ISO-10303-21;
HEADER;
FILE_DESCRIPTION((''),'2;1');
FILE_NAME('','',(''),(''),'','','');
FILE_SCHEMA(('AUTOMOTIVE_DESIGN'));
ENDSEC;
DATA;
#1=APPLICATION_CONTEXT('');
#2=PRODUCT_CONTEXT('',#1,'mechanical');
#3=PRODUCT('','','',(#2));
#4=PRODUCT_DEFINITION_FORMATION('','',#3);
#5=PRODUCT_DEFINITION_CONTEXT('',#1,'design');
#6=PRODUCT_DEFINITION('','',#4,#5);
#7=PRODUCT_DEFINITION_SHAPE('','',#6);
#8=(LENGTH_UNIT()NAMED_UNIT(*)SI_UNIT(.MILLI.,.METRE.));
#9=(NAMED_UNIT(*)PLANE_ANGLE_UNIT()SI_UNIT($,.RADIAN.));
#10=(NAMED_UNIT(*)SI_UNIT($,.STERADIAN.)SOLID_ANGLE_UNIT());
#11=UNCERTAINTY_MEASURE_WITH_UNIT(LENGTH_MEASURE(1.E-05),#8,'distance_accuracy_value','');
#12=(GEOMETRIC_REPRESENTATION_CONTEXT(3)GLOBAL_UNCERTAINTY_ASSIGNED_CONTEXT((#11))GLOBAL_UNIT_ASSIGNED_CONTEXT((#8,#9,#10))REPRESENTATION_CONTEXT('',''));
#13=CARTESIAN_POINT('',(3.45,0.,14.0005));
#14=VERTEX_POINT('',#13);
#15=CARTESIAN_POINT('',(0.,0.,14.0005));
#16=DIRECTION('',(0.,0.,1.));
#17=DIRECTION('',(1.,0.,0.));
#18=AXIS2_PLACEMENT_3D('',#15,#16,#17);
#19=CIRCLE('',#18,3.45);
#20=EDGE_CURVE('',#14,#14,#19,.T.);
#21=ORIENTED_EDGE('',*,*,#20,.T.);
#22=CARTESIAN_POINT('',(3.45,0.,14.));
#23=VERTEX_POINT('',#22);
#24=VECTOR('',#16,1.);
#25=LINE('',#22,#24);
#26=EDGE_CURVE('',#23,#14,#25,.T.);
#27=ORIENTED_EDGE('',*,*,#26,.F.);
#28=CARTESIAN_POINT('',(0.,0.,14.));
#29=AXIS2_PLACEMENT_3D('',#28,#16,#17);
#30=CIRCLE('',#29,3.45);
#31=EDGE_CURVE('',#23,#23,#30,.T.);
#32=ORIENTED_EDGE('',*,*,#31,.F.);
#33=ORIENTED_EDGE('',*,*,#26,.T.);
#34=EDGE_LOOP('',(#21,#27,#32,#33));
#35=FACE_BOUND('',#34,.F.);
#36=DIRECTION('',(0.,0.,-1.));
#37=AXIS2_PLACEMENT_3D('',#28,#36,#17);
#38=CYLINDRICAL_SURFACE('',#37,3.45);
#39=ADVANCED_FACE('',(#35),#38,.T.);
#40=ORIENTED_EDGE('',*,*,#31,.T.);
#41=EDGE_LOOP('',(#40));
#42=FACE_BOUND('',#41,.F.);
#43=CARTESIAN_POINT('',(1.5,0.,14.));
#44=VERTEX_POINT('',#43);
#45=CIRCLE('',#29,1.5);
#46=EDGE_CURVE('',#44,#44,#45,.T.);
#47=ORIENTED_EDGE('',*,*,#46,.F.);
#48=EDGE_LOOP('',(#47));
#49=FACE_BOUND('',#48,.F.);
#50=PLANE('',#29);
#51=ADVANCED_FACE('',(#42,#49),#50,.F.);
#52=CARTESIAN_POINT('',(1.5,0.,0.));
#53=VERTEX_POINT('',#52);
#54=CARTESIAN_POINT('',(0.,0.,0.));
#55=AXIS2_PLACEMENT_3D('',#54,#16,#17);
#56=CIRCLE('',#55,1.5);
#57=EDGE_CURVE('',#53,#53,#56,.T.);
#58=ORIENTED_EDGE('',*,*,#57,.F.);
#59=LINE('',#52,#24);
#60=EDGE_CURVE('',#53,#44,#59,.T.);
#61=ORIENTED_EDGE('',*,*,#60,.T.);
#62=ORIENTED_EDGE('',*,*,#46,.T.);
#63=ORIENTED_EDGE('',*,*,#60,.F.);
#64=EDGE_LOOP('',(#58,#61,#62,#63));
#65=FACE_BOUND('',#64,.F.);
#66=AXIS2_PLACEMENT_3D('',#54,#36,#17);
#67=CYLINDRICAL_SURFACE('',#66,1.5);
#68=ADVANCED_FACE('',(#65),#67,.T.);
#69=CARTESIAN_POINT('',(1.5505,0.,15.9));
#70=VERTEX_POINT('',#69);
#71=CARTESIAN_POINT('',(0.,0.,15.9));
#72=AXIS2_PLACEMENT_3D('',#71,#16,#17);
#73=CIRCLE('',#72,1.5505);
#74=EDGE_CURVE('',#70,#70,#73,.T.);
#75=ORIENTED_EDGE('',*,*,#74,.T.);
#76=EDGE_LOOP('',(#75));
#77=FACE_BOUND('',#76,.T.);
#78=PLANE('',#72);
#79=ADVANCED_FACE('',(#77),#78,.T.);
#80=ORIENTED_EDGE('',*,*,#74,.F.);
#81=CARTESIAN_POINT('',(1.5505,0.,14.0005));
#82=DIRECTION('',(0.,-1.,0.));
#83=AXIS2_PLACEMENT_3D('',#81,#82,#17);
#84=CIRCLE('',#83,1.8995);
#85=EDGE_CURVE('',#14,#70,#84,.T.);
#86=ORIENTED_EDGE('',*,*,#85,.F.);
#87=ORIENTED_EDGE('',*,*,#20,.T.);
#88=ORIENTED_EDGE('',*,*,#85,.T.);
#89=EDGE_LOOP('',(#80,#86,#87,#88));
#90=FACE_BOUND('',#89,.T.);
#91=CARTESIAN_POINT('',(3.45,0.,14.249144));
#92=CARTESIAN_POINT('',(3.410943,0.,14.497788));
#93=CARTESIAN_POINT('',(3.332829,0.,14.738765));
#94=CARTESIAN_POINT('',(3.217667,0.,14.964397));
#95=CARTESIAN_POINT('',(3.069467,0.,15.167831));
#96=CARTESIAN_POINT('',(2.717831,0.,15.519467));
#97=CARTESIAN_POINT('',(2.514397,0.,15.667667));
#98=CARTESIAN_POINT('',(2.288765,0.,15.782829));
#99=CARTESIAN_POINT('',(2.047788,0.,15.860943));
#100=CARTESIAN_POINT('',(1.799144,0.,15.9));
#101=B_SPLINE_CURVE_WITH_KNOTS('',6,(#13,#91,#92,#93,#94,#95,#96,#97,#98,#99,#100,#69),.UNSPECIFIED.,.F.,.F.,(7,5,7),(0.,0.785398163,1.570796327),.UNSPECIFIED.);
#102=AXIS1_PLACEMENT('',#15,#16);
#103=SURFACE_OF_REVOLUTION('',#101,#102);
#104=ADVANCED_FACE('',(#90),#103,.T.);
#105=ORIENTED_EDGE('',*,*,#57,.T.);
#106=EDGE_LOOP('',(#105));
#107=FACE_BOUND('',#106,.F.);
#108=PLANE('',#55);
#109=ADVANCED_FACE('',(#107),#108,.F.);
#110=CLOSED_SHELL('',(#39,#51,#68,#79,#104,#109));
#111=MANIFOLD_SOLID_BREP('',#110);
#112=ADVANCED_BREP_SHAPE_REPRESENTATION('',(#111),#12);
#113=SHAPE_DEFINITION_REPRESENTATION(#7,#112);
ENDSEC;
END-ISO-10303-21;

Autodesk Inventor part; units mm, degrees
ref_plane "YZ Plane" through (0, 0, 0) normal (1, 0, 0) x (0, 1, 0)
ref_plane "XZ Plane" through (0, 0, 0) normal (0, 1, 0) x (-1, 0, 0)
ref_plane "XY Plane" through (0, 0, 0) normal (0, 0, 1) x (1, 0, 0)
sketch "スケッチ1" plane through (0, 0, 0) normal (0, 0, 1) x (1, 0, 0)
  circle A0 centre (0, 0) radius 1.5
  dimension "d0" = 3
extrude "押し出し1" add sketch "スケッチ1" along normal blind 14
sketch "スケッチ2" plane through (0, 0, 14) normal (0, 0, 1) x (1, 0, 0)
  circle A0 centre (0, 0) radius 3.45
  dimension "d3" = 6.9
extrude "押し出し2" add sketch "スケッチ2" along normal blind 1.9
fillet "フィレット1" radius 1.9 1 edges at (-3.45, 0, 15.9)
thread "ねじ1" size "M3x0.5" class "6g" standard "ANSI Metric M Profile" full length
properties part number "M3トラス頭ネジ　14" material "鉄 灰色"
